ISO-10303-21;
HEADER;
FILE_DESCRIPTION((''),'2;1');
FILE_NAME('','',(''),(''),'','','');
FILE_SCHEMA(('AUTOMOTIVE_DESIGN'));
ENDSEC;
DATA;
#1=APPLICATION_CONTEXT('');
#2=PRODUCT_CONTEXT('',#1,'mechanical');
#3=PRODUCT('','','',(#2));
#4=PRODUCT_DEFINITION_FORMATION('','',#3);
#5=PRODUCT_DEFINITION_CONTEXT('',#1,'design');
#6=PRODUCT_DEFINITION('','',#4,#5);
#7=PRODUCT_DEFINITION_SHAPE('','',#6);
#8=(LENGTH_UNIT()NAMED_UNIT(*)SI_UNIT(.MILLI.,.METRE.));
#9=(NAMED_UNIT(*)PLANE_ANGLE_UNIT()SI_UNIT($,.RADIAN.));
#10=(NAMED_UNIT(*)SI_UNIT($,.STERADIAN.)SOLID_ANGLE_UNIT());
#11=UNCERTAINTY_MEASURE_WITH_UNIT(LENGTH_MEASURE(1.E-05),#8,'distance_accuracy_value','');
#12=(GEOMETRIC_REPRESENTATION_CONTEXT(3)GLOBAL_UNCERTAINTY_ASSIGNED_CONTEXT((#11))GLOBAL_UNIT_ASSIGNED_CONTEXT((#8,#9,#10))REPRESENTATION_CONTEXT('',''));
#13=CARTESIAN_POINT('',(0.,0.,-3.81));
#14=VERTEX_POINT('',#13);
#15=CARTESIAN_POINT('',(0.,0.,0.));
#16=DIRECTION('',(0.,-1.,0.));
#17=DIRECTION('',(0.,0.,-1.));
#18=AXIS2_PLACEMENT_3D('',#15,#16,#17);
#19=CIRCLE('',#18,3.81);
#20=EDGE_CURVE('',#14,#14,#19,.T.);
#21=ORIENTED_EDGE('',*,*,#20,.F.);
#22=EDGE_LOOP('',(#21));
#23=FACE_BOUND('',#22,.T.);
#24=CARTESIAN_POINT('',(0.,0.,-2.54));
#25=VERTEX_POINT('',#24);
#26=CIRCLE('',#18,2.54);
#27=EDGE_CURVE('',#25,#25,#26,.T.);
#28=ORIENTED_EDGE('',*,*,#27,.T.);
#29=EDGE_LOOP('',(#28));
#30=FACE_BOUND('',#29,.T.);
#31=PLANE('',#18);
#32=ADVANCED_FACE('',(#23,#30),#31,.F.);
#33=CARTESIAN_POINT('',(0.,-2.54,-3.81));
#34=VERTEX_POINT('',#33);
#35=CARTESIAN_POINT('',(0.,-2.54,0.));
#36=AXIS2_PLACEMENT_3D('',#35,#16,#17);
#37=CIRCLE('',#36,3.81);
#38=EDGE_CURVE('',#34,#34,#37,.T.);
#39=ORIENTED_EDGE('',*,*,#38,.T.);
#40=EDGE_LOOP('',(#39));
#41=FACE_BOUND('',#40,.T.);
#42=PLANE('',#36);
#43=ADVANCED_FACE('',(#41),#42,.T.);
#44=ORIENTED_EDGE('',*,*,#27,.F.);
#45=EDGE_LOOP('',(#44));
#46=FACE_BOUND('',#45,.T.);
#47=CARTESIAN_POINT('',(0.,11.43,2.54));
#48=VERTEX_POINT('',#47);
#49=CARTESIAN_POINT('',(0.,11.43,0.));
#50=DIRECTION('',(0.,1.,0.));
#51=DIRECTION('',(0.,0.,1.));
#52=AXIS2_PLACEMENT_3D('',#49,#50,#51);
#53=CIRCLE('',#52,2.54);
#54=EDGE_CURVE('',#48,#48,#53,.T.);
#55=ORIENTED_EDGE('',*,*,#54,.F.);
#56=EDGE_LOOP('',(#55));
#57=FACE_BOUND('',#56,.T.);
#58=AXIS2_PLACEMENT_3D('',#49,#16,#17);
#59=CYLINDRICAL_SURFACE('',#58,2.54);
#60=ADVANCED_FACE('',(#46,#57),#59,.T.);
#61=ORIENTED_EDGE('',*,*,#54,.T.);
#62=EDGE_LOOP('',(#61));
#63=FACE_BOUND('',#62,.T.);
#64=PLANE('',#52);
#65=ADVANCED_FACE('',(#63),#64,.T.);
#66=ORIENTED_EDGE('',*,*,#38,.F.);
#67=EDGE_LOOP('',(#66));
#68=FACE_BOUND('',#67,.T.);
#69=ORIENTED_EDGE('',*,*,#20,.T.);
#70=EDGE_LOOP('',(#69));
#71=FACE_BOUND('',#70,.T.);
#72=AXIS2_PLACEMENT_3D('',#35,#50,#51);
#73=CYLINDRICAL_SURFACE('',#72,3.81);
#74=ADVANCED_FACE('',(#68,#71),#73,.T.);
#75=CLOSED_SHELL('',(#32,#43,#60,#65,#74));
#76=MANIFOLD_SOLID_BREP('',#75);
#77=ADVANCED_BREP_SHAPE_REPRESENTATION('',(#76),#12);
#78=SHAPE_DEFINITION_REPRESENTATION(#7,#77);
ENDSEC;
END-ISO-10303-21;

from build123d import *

# Parameters (mm, degrees)
SKETCH1_R           = 2.54
BOSS_EXTRUDE1_DEPTH = 11.43
SKETCH2_R           = 3.81
BOSS_EXTRUDE2_DEPTH = 2.54


with BuildPart() as part:
    # Sketch1 → Boss-Extrude1 (new body)
    with BuildSketch(Plane(origin=(0, 0, 0), x_dir=(1, 0, 0), z_dir=(0, 1, 0))):
        with Locations(Location((0, 0, 0), (0, 0, 270))):
            Circle(SKETCH1_R)
    extrude(amount=BOSS_EXTRUDE1_DEPTH)

    # Sketch2 → Boss-Extrude2 (add)
    with BuildSketch(Plane.XZ):
        with Locations(Location((0, 0, 0), (0, 0, 270))):
            Circle(SKETCH2_R)
    extrude(amount=BOSS_EXTRUDE2_DEPTH)


solid = part.part
